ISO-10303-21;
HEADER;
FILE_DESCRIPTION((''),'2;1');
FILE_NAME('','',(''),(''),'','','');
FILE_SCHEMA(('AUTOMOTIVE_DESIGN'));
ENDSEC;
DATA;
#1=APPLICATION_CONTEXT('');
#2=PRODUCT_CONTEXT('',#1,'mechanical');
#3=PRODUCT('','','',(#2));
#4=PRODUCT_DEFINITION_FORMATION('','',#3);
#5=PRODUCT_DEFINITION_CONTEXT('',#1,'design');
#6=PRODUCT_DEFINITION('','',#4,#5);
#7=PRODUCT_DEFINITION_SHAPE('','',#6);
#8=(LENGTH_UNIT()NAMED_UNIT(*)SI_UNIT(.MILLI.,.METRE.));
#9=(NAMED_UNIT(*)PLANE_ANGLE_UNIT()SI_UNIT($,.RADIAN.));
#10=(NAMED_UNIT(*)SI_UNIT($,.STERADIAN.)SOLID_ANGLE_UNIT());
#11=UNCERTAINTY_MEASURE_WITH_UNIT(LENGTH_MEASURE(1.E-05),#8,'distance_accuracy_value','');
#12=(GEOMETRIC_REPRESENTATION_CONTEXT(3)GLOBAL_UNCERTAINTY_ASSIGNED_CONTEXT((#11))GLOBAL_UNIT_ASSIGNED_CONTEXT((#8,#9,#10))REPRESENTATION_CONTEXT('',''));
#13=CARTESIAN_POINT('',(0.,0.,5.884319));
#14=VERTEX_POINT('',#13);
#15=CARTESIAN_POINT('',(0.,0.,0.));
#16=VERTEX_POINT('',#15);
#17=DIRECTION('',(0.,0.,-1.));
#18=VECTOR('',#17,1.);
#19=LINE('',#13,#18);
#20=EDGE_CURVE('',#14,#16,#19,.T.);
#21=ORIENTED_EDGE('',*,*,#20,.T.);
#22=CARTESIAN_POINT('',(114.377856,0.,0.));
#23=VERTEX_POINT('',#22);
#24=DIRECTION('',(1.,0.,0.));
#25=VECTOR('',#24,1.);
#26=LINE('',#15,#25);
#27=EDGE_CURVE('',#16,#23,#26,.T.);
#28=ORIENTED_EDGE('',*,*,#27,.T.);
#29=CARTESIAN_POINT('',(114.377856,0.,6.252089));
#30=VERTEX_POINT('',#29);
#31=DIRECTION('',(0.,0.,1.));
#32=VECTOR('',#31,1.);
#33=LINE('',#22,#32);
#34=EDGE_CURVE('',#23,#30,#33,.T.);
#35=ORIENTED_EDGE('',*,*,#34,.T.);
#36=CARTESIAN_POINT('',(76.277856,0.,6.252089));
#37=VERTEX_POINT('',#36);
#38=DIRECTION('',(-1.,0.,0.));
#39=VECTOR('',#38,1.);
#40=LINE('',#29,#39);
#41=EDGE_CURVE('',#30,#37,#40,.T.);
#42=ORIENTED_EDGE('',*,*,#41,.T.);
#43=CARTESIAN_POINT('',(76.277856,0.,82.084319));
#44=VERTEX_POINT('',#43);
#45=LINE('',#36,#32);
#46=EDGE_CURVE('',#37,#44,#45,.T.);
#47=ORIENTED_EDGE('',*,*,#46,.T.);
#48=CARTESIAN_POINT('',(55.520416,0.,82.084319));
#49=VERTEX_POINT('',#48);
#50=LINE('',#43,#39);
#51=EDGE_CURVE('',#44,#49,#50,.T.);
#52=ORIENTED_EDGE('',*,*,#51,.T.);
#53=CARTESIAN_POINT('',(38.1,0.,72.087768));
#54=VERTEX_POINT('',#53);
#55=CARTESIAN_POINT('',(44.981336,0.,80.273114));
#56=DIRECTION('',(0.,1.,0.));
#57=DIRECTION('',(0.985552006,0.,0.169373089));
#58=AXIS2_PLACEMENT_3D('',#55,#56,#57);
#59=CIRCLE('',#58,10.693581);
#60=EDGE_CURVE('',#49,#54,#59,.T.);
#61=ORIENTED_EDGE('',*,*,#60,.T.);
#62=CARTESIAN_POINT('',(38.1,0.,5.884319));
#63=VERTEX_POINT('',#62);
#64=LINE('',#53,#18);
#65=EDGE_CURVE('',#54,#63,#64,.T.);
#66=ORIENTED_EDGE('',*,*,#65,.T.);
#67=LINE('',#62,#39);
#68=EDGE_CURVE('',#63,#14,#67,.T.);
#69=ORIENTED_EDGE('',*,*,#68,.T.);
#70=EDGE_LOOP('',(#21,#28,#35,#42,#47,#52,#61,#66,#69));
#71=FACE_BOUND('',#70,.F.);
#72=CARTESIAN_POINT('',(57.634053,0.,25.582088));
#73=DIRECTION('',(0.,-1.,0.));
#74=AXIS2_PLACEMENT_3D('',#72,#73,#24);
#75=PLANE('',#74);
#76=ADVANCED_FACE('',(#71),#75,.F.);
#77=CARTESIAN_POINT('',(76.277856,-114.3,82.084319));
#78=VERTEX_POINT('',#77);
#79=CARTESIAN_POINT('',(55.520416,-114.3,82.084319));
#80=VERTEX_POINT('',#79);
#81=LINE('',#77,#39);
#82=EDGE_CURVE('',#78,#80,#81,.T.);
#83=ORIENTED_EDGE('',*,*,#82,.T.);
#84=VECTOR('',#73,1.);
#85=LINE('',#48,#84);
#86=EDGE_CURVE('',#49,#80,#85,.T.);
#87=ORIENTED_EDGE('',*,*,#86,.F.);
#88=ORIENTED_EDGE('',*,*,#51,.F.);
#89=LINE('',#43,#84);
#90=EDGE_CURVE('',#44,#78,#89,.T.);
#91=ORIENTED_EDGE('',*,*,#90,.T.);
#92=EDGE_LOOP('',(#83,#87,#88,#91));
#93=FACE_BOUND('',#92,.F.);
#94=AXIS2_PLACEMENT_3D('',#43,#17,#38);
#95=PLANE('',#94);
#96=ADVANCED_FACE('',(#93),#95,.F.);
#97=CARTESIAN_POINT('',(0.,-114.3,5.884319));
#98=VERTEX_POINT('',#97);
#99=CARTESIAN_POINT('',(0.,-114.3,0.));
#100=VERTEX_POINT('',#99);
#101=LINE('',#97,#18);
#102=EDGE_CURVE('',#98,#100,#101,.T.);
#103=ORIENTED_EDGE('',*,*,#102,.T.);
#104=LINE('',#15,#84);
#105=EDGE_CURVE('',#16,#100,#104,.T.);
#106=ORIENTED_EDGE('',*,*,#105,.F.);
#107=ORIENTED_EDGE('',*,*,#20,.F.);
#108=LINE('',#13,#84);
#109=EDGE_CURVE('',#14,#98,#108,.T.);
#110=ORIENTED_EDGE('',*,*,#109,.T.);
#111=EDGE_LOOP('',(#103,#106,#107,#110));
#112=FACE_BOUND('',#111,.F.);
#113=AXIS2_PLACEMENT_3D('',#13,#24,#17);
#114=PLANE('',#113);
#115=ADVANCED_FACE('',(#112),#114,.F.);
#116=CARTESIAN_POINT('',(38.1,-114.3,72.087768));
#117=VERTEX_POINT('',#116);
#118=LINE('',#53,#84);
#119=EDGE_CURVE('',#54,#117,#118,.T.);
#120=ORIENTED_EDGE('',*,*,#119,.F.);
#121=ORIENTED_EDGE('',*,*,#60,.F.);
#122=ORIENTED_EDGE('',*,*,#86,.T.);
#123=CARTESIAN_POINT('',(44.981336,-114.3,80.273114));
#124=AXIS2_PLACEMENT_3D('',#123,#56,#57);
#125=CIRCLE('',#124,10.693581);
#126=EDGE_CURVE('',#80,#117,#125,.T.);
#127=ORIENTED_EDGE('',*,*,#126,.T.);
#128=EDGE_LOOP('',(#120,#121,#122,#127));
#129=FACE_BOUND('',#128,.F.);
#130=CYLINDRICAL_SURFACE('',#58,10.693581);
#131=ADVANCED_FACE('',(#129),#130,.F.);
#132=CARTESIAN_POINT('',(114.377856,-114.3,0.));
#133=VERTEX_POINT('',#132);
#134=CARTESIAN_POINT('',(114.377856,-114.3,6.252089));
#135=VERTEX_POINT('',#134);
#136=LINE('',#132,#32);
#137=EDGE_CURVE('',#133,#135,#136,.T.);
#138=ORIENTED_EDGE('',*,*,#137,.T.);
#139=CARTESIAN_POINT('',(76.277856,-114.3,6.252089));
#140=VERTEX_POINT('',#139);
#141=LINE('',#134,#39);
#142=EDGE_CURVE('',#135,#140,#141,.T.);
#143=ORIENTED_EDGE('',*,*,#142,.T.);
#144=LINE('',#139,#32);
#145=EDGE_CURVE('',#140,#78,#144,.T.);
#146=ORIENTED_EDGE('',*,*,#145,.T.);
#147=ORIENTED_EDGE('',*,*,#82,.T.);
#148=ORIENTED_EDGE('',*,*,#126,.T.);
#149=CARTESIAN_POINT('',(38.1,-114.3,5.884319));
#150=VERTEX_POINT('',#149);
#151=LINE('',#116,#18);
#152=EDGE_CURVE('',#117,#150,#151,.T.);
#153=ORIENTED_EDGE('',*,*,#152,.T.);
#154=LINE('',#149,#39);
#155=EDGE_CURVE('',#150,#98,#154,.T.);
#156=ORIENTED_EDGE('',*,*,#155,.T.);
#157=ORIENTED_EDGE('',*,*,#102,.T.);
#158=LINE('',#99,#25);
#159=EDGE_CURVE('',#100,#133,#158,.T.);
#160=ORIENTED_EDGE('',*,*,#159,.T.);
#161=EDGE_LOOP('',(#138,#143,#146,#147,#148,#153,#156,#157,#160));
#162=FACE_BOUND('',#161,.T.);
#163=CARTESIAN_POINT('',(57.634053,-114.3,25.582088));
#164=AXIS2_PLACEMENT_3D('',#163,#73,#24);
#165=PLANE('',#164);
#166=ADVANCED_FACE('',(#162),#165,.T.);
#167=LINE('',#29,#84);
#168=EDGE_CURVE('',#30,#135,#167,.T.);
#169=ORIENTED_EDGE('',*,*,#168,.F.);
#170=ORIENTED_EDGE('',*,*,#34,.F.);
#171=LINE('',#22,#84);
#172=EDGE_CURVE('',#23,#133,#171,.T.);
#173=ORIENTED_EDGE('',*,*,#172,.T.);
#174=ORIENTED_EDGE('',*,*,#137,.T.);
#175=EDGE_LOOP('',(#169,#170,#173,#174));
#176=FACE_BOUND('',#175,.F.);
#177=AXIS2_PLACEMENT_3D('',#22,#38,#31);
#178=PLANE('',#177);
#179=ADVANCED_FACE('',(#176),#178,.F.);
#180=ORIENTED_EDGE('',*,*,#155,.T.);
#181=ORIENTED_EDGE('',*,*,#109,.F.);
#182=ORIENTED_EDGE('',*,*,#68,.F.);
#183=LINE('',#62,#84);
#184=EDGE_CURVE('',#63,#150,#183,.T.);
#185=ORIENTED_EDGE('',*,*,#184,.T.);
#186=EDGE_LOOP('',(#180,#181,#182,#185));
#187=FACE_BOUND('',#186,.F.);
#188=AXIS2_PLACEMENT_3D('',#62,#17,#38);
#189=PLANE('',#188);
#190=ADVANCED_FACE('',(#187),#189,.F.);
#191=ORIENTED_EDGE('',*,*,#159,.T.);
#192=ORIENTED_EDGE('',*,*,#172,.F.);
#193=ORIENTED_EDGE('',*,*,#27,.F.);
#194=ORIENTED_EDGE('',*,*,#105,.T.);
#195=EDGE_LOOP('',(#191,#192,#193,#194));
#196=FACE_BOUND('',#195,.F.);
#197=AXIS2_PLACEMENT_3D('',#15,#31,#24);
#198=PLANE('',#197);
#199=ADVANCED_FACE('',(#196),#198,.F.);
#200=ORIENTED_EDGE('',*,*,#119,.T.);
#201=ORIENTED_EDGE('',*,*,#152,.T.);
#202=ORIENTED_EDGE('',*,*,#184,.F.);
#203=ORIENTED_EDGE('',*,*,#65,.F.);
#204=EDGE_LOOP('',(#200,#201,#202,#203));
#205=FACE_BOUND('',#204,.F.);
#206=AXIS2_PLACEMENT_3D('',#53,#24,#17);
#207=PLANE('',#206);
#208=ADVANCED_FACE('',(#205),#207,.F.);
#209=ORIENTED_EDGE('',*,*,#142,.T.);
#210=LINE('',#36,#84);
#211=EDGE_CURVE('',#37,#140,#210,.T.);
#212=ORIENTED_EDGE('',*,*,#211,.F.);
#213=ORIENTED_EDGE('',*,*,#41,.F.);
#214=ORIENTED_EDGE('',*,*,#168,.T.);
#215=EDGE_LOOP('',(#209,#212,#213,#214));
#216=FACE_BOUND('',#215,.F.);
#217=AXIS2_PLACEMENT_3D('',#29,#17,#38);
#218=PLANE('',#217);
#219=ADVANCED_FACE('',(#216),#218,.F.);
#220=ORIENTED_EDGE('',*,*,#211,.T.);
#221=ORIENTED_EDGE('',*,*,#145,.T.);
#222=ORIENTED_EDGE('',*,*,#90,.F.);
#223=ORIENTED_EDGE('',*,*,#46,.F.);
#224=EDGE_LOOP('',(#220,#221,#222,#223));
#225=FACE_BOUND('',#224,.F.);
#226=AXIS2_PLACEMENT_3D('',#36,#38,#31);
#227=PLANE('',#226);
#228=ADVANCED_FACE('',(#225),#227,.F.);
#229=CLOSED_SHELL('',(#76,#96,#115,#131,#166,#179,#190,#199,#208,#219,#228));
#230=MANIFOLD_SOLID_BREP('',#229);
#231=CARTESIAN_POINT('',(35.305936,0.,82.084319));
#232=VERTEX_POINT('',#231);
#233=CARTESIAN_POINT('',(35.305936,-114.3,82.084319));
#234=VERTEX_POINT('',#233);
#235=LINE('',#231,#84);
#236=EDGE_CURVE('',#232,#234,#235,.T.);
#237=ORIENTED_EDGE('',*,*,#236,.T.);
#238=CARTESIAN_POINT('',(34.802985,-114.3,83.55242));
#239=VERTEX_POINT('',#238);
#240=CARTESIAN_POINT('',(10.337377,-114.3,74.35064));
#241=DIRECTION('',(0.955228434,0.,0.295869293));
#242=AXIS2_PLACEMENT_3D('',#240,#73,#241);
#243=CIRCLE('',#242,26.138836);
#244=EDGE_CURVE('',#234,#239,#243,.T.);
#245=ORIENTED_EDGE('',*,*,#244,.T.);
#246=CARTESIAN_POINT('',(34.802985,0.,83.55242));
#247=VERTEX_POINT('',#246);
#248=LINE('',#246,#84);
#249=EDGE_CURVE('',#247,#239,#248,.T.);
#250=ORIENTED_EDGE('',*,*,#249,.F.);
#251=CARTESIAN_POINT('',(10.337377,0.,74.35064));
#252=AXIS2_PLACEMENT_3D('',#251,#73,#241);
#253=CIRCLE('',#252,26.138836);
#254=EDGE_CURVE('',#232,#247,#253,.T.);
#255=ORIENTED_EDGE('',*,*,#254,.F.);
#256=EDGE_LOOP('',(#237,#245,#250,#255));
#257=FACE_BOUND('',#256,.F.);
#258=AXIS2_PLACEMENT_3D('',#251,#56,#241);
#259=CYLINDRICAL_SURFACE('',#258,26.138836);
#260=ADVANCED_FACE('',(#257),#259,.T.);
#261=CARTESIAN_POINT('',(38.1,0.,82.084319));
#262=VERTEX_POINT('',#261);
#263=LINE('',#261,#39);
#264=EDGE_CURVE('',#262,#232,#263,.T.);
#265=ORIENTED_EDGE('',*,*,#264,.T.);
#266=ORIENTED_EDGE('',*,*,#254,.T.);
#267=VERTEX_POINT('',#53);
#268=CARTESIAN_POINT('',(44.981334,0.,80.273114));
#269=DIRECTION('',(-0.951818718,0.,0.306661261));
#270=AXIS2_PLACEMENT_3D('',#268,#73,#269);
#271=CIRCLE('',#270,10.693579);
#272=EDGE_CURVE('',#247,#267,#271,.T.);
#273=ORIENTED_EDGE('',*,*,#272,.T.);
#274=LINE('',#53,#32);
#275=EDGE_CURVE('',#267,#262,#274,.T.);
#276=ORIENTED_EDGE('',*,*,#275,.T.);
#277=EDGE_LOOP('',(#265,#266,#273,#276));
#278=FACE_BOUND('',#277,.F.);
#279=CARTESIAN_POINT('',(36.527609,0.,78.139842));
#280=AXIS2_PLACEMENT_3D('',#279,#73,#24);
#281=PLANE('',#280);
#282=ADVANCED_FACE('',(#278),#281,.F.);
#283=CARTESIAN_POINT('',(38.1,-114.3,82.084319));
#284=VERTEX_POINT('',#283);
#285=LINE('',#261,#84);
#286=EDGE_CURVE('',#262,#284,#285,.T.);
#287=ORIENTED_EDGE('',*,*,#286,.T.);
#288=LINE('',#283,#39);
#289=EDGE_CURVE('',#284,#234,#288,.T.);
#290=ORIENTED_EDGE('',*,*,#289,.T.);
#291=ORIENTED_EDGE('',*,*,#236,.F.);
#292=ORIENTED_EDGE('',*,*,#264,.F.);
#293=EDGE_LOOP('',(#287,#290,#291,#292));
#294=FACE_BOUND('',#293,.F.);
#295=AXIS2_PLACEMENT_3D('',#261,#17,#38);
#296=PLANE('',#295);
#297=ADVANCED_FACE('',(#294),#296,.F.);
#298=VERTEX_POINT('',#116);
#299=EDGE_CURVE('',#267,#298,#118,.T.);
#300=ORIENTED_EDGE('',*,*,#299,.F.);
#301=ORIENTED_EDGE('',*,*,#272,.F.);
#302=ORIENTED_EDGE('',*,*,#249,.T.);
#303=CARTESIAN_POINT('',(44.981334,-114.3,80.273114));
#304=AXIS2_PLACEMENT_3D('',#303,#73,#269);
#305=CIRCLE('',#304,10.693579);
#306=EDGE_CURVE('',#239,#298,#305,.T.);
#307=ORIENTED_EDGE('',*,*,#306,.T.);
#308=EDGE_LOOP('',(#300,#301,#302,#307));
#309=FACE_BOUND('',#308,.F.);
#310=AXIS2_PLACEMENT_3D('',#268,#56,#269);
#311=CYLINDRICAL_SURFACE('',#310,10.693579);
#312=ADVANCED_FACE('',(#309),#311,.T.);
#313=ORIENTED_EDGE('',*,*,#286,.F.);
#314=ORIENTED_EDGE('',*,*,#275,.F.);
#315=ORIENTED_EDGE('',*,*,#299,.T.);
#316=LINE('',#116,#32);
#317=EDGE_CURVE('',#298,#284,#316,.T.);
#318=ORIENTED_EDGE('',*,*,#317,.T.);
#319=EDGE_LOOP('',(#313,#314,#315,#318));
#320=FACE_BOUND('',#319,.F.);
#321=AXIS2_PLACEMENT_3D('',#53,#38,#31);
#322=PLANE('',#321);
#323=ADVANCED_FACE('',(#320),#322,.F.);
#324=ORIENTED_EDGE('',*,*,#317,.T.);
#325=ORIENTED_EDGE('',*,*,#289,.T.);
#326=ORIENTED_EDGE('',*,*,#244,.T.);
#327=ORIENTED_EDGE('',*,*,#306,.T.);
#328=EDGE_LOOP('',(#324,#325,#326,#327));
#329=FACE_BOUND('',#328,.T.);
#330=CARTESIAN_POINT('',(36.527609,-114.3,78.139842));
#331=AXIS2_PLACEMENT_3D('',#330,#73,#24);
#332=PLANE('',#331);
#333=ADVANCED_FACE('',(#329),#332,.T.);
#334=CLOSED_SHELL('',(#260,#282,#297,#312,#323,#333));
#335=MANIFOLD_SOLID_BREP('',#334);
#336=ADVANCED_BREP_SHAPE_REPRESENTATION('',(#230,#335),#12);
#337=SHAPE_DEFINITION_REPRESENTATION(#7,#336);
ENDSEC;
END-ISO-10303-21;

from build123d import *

# Parameters (mm, degrees)
F1_DEPTH = 114.3


with BuildPart() as f1:
    # F0 (on Front) → F1 (new body)
    with BuildSketch(Plane.XZ):
        with BuildLine():
            ThreePointArc((34.802985, 83.55242), (34.704284, 77.31763), (38.1, 72.087768))
            Line((38.1, 72.087768), (38.1, 82.084319))
            Line((38.1, 82.084319), (35.305936, 82.084319))
            ThreePointArc((35.305936, 82.084319), (35.065358, 82.822103), (34.802985, 83.55242))
        make_face()
        with BuildLine():
            Line((0, 5.884319), (0, 0))
            Line((0, 0), (114.377856, 0))
            Line((114.377856, 0), (114.377856, 6.252089))
            Line((114.377856, 6.252089), (76.277856, 6.252089))
            Line((76.277856, 6.252089), (76.277856, 49.352775))
            Line((76.277856, 49.352775), (76.277856, 64.017227))
            Line((76.277856, 64.017227), (76.277856, 82.084319))
            Line((76.277856, 82.084319), (55.520416, 82.084319))
            ThreePointArc((55.520416, 82.084319), (50.303697, 70.99814), (38.1, 72.087768))
            Line((38.1, 72.087768), (38.1, 5.884319))
            Line((38.1, 5.884319), (0, 5.884319))
        make_face()
    extrude(amount=F1_DEPTH)


solid = f1.part
